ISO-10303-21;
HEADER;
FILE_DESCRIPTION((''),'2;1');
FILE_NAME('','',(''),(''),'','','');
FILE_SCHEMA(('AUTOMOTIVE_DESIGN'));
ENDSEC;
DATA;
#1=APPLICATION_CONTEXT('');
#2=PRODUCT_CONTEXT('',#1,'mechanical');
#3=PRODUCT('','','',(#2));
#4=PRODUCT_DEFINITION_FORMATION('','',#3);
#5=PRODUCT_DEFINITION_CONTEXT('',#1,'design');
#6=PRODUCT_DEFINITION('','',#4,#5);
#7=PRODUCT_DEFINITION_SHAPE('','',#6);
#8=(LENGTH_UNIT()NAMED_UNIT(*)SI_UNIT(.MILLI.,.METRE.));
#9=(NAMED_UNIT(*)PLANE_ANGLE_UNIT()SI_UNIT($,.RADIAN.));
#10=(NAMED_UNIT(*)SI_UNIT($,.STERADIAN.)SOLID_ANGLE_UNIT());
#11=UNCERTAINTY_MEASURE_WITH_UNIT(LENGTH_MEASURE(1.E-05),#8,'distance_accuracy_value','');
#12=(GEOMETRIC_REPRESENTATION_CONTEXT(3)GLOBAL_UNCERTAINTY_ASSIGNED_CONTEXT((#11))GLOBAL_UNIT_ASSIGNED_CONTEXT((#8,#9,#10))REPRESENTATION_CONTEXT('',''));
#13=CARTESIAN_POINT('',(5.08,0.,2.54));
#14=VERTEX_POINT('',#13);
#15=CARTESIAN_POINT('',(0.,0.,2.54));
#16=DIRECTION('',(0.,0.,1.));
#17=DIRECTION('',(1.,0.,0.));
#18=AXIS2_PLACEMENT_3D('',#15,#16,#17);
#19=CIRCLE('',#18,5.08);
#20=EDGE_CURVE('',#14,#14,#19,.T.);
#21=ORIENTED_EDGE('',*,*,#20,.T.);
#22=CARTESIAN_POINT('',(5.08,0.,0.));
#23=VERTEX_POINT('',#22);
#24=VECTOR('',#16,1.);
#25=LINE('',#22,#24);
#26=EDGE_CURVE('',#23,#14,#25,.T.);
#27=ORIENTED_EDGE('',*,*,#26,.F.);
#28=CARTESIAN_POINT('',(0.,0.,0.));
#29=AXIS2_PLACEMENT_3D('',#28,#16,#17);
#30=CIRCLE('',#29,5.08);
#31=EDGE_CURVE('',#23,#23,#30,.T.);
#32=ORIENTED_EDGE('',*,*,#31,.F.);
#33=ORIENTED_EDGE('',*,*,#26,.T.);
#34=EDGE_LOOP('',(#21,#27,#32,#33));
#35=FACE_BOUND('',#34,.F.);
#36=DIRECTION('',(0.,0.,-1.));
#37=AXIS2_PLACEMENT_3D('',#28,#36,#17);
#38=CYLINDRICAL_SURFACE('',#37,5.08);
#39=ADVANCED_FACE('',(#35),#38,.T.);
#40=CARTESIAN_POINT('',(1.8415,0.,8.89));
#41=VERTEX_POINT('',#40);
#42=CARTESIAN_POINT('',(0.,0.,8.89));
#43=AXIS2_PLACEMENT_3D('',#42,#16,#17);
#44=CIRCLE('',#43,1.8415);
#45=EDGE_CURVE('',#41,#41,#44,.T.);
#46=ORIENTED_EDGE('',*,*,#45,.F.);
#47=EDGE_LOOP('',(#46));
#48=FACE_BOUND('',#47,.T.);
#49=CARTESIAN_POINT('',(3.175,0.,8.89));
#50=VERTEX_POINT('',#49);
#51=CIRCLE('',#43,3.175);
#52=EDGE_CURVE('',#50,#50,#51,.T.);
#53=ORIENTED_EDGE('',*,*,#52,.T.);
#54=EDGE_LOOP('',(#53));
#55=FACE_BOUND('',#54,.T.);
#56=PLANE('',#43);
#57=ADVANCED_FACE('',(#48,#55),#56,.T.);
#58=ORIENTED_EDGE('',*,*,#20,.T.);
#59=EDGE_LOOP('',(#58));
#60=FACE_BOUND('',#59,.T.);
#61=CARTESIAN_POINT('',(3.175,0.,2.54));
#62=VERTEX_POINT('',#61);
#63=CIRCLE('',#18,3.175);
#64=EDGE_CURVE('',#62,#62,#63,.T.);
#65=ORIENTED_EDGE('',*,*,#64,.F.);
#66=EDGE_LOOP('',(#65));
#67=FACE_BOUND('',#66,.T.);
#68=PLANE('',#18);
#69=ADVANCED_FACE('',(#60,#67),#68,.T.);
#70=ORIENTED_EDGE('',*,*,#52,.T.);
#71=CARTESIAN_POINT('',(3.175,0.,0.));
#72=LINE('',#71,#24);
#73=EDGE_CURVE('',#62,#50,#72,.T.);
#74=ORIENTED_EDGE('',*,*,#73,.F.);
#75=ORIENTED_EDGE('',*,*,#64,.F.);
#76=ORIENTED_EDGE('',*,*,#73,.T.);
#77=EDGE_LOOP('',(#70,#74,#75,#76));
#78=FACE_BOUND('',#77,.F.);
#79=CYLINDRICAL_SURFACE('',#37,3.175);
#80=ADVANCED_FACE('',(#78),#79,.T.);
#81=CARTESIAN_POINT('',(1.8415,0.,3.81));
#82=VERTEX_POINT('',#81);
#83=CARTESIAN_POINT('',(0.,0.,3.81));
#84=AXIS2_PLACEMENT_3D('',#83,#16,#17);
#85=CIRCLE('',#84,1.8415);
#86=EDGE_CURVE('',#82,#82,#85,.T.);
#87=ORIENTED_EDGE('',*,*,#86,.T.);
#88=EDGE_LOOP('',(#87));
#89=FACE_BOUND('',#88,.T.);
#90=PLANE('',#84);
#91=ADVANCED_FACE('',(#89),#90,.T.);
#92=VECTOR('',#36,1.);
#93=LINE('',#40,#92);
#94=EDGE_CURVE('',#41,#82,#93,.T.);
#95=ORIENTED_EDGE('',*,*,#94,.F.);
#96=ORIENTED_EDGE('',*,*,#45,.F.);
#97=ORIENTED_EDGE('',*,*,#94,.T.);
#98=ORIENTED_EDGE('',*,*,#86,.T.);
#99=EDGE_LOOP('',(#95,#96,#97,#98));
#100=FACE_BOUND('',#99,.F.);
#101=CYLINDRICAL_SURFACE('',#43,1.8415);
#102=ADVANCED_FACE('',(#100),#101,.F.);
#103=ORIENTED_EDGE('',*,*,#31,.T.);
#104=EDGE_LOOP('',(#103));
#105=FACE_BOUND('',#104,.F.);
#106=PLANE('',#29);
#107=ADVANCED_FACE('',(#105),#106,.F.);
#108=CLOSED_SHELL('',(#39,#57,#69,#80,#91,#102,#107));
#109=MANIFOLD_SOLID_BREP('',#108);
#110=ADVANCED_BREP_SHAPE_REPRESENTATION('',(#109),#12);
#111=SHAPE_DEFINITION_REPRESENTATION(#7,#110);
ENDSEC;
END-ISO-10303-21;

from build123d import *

# Parameters (mm, degrees)
F0_R     = 3.175
F1_DEPTH = 8.89
F2_R     = 1.8415
F3_DEPTH = 5.08
F0_R_2   = 5.08
F4_DEPTH = 2.54


with BuildPart() as f1:
    # F0 (on Top) → F1 (new body)
    with BuildSketch(Plane.XY):
        Circle(F0_R)
    extrude(amount=F1_DEPTH)

    # F2 (on face) → F3 (cut)
    with BuildSketch(Plane.XY.offset(8.89)):
        Circle(F2_R)
    extrude(amount=-F3_DEPTH, mode=Mode.SUBTRACT)

    # F0 (on Top) → F4 (join)
    with BuildSketch(Plane.XY):
        Circle(F0_R_2)
        Circle(F0_R, mode=Mode.SUBTRACT)
    extrude(amount=F4_DEPTH)


solid = f1.part
